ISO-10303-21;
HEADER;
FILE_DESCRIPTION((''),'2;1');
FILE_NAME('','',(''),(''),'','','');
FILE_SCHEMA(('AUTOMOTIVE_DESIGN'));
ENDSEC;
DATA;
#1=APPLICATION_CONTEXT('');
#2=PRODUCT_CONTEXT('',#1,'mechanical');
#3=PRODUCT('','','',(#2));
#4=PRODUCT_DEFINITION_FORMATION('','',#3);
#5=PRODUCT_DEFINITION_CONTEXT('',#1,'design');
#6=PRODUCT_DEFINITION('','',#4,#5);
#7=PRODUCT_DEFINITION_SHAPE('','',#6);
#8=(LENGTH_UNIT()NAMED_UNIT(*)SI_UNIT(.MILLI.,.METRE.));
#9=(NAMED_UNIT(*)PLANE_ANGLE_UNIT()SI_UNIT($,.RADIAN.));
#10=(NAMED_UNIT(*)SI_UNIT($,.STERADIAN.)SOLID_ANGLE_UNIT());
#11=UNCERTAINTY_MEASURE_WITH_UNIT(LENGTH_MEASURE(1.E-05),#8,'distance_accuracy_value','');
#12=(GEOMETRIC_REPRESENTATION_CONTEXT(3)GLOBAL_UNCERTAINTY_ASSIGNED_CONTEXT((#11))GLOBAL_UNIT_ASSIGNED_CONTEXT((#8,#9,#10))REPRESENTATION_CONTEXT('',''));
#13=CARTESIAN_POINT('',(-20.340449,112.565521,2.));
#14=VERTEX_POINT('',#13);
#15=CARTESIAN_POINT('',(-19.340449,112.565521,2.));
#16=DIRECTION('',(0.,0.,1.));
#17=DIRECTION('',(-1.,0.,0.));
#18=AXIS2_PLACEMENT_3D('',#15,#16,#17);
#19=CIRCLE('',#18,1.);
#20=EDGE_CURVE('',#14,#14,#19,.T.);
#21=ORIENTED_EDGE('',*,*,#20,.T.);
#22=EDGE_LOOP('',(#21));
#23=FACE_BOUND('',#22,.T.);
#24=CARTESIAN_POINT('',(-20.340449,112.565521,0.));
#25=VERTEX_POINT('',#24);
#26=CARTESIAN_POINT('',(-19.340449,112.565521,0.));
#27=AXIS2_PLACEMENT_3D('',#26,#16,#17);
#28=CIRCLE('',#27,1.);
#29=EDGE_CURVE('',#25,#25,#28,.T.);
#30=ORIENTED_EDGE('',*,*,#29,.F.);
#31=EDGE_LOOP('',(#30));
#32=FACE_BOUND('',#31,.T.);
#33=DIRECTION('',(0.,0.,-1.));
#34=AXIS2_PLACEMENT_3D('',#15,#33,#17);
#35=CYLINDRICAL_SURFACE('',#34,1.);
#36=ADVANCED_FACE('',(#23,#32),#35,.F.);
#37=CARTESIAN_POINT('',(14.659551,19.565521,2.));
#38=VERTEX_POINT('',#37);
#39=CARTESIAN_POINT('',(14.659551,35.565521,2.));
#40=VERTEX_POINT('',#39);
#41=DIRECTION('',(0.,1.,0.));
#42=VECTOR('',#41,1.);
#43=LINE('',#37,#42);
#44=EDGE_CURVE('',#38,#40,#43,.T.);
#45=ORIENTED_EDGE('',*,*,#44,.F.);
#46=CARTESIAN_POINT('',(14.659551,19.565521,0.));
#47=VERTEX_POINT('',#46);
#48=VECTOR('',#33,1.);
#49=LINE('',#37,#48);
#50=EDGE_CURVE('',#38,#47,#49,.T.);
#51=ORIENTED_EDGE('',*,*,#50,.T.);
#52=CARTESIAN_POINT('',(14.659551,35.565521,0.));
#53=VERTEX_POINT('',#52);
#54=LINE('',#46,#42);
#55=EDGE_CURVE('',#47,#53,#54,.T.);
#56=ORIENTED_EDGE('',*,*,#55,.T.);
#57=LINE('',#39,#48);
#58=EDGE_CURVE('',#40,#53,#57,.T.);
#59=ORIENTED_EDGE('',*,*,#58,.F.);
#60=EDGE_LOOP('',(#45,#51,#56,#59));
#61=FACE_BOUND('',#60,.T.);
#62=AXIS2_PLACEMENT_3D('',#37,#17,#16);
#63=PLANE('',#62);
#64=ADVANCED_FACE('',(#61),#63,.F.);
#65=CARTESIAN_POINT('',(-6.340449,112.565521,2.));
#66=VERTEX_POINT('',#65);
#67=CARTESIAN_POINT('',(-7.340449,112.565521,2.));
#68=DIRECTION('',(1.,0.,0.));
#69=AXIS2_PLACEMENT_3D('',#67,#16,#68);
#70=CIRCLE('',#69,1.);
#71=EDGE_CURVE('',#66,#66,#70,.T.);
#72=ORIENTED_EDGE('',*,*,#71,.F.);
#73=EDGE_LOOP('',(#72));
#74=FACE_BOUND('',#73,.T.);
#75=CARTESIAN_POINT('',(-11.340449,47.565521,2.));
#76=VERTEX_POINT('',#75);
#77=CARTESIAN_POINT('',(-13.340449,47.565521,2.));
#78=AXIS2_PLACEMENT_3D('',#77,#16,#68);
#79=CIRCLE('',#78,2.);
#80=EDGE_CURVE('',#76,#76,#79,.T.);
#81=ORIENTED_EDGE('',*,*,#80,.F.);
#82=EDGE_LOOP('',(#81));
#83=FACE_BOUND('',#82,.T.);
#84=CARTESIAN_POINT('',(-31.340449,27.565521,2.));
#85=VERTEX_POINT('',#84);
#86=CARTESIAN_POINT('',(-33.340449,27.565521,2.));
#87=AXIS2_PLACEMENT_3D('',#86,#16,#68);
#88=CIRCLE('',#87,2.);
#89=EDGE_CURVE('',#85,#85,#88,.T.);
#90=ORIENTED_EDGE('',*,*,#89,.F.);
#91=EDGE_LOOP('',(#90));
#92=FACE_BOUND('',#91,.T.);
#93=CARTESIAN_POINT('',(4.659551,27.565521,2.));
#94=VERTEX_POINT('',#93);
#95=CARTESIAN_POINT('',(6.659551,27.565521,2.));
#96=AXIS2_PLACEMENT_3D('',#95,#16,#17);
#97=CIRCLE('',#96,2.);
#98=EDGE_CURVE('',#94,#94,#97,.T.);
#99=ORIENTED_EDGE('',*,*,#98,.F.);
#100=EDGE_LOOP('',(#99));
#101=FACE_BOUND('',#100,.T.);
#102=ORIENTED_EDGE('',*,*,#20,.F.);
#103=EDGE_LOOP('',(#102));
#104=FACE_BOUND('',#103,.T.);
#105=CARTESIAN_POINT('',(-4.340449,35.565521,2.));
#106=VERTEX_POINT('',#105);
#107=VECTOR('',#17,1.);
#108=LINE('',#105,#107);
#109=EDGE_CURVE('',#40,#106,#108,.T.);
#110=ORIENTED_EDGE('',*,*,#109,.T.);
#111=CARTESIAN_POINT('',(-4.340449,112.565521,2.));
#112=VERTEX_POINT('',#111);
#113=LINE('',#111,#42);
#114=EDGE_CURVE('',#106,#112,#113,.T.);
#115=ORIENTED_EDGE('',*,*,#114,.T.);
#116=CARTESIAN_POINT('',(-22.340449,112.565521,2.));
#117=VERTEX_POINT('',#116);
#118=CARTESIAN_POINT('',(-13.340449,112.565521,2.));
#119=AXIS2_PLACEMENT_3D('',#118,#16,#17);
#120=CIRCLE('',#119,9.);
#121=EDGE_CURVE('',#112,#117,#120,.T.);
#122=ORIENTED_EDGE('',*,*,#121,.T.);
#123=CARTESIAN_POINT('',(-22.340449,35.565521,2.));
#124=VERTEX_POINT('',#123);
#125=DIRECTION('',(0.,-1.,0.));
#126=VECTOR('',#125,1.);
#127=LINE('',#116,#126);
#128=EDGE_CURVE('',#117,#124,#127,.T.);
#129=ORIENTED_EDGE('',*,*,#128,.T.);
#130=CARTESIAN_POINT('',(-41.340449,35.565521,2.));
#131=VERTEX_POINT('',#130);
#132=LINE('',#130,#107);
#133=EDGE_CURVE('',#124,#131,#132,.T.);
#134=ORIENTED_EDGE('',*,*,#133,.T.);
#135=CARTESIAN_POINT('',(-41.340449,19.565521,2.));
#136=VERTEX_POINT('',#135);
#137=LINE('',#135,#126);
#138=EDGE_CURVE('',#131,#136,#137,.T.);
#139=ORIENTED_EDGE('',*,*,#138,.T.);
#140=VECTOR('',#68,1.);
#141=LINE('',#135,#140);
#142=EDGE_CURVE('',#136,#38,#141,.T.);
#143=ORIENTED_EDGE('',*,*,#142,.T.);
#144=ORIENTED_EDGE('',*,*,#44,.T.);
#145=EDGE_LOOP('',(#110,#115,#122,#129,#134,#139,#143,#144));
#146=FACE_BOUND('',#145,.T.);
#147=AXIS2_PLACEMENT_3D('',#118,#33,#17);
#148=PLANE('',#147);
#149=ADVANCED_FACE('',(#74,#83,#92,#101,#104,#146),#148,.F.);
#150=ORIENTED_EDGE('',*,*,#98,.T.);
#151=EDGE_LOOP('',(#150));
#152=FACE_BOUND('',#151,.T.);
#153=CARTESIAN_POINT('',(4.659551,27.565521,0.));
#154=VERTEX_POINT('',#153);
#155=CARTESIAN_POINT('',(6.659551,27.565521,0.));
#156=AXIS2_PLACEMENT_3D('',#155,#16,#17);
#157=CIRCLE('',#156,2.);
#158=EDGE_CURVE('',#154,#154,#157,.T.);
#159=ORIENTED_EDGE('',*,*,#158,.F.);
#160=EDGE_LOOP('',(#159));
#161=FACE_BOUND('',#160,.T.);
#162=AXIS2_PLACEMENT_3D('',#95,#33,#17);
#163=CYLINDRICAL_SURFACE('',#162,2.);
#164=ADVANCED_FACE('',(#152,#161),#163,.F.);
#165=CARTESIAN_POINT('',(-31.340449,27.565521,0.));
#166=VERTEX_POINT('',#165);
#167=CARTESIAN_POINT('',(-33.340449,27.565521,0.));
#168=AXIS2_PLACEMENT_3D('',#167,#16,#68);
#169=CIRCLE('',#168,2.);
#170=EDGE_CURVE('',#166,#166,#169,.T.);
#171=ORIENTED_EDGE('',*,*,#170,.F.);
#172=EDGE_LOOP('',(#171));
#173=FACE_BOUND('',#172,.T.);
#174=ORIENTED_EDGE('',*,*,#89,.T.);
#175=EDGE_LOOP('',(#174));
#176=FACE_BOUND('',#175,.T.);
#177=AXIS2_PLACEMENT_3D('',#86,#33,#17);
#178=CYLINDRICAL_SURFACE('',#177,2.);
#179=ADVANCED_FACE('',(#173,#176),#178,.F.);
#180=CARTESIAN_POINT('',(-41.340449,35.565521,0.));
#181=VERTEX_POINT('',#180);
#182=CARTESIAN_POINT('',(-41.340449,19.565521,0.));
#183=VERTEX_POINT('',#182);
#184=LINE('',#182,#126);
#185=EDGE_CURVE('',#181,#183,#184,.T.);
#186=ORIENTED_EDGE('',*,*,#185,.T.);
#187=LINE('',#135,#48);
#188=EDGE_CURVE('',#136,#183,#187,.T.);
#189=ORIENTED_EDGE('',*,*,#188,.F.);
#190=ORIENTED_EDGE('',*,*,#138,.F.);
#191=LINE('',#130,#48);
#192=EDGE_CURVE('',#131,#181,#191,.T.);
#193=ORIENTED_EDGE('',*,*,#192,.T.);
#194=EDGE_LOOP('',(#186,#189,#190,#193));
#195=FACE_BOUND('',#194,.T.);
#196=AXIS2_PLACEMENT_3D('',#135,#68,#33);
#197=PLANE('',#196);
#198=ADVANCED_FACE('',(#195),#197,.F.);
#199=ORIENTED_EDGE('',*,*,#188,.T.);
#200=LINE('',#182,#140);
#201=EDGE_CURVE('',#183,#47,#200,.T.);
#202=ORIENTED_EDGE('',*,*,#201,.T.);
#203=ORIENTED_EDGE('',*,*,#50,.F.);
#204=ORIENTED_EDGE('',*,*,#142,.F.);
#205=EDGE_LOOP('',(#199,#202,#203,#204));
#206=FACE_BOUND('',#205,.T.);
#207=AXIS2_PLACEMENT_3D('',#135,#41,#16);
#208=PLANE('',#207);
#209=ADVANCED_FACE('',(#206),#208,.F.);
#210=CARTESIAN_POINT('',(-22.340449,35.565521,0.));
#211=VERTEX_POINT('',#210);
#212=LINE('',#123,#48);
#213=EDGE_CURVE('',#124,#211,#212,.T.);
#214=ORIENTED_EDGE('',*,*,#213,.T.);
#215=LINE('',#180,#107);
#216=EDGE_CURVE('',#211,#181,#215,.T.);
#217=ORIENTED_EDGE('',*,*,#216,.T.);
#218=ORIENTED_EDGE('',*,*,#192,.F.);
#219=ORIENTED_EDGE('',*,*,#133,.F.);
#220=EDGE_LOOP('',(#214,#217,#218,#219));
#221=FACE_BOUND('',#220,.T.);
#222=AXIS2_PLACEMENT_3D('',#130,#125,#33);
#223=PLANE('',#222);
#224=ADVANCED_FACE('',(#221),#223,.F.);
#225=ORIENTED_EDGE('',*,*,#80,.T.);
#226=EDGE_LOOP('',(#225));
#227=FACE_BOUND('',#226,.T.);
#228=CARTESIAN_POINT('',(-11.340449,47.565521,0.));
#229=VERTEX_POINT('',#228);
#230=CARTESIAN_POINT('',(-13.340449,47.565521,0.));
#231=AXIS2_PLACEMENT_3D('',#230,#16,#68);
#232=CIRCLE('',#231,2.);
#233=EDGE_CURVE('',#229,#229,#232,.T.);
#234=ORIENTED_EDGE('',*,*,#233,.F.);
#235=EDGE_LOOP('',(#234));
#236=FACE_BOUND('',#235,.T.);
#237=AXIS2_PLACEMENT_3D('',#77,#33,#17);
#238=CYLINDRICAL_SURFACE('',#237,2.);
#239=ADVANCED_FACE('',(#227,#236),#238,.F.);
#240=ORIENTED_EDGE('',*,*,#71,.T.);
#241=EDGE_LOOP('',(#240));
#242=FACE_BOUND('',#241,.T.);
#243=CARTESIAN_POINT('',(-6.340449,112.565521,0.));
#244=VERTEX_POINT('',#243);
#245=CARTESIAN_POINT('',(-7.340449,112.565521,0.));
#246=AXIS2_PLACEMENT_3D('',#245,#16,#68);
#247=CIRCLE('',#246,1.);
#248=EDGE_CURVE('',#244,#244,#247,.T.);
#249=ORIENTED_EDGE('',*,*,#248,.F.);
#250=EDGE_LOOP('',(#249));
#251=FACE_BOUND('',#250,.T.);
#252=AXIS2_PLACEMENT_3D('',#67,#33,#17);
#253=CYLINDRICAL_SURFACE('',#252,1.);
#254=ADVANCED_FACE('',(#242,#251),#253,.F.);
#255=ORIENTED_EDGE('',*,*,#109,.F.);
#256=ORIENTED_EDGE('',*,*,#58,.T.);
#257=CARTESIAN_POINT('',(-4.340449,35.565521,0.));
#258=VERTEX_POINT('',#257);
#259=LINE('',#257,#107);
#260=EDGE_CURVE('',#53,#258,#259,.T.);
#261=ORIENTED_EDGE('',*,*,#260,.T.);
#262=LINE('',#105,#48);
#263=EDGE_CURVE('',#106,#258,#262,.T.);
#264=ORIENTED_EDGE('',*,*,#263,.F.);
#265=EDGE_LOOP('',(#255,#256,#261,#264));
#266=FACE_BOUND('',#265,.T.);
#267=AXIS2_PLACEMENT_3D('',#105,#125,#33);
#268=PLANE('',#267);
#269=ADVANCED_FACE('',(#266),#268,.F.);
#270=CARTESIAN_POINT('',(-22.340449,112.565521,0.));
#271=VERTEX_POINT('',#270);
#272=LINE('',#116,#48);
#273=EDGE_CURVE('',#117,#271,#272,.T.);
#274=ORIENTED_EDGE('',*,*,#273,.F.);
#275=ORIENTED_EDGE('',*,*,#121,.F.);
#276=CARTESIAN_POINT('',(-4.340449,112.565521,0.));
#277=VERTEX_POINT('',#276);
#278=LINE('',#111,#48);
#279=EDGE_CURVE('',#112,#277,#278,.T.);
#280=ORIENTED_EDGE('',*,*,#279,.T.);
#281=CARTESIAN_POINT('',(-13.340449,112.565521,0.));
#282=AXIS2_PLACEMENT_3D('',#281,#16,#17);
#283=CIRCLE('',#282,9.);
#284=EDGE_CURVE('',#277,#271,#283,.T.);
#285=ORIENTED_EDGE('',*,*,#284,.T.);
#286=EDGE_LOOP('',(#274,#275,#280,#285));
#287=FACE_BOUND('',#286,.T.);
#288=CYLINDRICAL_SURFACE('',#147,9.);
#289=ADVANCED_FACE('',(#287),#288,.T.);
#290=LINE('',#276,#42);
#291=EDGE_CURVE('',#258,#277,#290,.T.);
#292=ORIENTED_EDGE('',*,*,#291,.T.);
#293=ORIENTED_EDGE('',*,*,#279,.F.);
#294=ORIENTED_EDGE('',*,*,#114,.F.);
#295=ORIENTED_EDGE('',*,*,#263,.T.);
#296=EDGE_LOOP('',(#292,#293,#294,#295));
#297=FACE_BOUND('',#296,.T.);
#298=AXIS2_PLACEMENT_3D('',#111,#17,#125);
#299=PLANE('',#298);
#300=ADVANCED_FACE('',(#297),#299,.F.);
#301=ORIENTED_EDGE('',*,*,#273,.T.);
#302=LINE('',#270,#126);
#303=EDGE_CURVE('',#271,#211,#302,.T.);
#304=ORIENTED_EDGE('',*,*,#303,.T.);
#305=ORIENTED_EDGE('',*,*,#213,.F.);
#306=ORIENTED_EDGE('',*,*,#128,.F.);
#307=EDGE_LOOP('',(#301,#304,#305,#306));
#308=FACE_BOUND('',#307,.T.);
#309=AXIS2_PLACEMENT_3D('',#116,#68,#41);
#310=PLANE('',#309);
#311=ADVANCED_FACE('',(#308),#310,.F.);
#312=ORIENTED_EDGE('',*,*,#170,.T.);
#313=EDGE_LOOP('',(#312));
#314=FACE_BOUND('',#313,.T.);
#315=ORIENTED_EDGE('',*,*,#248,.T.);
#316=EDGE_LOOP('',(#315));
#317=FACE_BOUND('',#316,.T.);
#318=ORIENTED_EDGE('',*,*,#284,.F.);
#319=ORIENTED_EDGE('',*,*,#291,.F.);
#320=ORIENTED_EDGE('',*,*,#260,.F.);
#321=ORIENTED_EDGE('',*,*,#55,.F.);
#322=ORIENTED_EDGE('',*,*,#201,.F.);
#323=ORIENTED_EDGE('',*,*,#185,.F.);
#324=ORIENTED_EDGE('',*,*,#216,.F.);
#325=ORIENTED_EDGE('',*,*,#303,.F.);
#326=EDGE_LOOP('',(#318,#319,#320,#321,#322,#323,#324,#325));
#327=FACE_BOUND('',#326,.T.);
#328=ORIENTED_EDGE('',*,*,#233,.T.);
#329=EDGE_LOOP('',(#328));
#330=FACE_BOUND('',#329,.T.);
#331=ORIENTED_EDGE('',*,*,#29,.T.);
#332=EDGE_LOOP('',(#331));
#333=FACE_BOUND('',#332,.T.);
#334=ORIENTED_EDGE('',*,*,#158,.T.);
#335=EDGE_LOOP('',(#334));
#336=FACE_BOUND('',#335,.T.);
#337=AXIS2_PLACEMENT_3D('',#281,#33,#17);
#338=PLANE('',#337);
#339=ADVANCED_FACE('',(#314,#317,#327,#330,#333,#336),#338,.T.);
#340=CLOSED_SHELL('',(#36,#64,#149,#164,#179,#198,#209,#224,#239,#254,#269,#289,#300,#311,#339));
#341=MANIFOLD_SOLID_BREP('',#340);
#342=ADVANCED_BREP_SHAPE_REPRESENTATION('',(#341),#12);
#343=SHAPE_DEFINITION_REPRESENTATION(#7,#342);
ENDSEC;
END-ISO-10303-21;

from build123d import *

# Parameters (mm, degrees)
SKETCH_1_R      = 2
SKETCH_1_R_2    = 1
EXTRUDE_1_DEPTH = 2


with BuildPart() as part:
    # 草图1 → 凸台-拉伸1 (new body)
    with BuildSketch(Plane.XY):
        with BuildLine():
            Line((-22.340449028, 112.565520938), (-22.340449028, 35.565520938))
            Line((-22.340449028, 35.565520938), (-41.340449028, 35.565520938))
            Line((-41.340449028, 35.565520938), (-41.340449028, 19.565520938))
            Line((-41.340449028, 19.565520938), (14.659550972, 19.565520938))
            Line((14.659550972, 19.565520938), (14.659550972, 35.565520938))
            Line((14.659550972, 35.565520938), (-4.340449028, 35.565520938))
            Line((-4.340449028, 35.565520938), (-4.340449028, 112.565520938))
            ThreePointArc((-4.340449028, 112.565520938), (-13.340449028, 121.565520938), (-22.340449028, 112.565520938))
        make_face()
        with Locations((-33.340449028, 27.565520938)):
            Circle(SKETCH_1_R, mode=Mode.SUBTRACT)
        with Locations(Location((6.659550972, 27.565520938, 0), (0, 0, 180))):
            Circle(SKETCH_1_R, mode=Mode.SUBTRACT)
        with Locations((-7.340449028, 112.565520938)):
            Circle(SKETCH_1_R_2, mode=Mode.SUBTRACT)
        with Locations(Location((-19.340449028, 112.565520938, 0), (0, 0, 180))):
            Circle(SKETCH_1_R_2, mode=Mode.SUBTRACT)
        with Locations((-13.340449028, 47.565520938)):
            Circle(SKETCH_1_R, mode=Mode.SUBTRACT)
    extrude(amount=EXTRUDE_1_DEPTH)


solid = part.part
